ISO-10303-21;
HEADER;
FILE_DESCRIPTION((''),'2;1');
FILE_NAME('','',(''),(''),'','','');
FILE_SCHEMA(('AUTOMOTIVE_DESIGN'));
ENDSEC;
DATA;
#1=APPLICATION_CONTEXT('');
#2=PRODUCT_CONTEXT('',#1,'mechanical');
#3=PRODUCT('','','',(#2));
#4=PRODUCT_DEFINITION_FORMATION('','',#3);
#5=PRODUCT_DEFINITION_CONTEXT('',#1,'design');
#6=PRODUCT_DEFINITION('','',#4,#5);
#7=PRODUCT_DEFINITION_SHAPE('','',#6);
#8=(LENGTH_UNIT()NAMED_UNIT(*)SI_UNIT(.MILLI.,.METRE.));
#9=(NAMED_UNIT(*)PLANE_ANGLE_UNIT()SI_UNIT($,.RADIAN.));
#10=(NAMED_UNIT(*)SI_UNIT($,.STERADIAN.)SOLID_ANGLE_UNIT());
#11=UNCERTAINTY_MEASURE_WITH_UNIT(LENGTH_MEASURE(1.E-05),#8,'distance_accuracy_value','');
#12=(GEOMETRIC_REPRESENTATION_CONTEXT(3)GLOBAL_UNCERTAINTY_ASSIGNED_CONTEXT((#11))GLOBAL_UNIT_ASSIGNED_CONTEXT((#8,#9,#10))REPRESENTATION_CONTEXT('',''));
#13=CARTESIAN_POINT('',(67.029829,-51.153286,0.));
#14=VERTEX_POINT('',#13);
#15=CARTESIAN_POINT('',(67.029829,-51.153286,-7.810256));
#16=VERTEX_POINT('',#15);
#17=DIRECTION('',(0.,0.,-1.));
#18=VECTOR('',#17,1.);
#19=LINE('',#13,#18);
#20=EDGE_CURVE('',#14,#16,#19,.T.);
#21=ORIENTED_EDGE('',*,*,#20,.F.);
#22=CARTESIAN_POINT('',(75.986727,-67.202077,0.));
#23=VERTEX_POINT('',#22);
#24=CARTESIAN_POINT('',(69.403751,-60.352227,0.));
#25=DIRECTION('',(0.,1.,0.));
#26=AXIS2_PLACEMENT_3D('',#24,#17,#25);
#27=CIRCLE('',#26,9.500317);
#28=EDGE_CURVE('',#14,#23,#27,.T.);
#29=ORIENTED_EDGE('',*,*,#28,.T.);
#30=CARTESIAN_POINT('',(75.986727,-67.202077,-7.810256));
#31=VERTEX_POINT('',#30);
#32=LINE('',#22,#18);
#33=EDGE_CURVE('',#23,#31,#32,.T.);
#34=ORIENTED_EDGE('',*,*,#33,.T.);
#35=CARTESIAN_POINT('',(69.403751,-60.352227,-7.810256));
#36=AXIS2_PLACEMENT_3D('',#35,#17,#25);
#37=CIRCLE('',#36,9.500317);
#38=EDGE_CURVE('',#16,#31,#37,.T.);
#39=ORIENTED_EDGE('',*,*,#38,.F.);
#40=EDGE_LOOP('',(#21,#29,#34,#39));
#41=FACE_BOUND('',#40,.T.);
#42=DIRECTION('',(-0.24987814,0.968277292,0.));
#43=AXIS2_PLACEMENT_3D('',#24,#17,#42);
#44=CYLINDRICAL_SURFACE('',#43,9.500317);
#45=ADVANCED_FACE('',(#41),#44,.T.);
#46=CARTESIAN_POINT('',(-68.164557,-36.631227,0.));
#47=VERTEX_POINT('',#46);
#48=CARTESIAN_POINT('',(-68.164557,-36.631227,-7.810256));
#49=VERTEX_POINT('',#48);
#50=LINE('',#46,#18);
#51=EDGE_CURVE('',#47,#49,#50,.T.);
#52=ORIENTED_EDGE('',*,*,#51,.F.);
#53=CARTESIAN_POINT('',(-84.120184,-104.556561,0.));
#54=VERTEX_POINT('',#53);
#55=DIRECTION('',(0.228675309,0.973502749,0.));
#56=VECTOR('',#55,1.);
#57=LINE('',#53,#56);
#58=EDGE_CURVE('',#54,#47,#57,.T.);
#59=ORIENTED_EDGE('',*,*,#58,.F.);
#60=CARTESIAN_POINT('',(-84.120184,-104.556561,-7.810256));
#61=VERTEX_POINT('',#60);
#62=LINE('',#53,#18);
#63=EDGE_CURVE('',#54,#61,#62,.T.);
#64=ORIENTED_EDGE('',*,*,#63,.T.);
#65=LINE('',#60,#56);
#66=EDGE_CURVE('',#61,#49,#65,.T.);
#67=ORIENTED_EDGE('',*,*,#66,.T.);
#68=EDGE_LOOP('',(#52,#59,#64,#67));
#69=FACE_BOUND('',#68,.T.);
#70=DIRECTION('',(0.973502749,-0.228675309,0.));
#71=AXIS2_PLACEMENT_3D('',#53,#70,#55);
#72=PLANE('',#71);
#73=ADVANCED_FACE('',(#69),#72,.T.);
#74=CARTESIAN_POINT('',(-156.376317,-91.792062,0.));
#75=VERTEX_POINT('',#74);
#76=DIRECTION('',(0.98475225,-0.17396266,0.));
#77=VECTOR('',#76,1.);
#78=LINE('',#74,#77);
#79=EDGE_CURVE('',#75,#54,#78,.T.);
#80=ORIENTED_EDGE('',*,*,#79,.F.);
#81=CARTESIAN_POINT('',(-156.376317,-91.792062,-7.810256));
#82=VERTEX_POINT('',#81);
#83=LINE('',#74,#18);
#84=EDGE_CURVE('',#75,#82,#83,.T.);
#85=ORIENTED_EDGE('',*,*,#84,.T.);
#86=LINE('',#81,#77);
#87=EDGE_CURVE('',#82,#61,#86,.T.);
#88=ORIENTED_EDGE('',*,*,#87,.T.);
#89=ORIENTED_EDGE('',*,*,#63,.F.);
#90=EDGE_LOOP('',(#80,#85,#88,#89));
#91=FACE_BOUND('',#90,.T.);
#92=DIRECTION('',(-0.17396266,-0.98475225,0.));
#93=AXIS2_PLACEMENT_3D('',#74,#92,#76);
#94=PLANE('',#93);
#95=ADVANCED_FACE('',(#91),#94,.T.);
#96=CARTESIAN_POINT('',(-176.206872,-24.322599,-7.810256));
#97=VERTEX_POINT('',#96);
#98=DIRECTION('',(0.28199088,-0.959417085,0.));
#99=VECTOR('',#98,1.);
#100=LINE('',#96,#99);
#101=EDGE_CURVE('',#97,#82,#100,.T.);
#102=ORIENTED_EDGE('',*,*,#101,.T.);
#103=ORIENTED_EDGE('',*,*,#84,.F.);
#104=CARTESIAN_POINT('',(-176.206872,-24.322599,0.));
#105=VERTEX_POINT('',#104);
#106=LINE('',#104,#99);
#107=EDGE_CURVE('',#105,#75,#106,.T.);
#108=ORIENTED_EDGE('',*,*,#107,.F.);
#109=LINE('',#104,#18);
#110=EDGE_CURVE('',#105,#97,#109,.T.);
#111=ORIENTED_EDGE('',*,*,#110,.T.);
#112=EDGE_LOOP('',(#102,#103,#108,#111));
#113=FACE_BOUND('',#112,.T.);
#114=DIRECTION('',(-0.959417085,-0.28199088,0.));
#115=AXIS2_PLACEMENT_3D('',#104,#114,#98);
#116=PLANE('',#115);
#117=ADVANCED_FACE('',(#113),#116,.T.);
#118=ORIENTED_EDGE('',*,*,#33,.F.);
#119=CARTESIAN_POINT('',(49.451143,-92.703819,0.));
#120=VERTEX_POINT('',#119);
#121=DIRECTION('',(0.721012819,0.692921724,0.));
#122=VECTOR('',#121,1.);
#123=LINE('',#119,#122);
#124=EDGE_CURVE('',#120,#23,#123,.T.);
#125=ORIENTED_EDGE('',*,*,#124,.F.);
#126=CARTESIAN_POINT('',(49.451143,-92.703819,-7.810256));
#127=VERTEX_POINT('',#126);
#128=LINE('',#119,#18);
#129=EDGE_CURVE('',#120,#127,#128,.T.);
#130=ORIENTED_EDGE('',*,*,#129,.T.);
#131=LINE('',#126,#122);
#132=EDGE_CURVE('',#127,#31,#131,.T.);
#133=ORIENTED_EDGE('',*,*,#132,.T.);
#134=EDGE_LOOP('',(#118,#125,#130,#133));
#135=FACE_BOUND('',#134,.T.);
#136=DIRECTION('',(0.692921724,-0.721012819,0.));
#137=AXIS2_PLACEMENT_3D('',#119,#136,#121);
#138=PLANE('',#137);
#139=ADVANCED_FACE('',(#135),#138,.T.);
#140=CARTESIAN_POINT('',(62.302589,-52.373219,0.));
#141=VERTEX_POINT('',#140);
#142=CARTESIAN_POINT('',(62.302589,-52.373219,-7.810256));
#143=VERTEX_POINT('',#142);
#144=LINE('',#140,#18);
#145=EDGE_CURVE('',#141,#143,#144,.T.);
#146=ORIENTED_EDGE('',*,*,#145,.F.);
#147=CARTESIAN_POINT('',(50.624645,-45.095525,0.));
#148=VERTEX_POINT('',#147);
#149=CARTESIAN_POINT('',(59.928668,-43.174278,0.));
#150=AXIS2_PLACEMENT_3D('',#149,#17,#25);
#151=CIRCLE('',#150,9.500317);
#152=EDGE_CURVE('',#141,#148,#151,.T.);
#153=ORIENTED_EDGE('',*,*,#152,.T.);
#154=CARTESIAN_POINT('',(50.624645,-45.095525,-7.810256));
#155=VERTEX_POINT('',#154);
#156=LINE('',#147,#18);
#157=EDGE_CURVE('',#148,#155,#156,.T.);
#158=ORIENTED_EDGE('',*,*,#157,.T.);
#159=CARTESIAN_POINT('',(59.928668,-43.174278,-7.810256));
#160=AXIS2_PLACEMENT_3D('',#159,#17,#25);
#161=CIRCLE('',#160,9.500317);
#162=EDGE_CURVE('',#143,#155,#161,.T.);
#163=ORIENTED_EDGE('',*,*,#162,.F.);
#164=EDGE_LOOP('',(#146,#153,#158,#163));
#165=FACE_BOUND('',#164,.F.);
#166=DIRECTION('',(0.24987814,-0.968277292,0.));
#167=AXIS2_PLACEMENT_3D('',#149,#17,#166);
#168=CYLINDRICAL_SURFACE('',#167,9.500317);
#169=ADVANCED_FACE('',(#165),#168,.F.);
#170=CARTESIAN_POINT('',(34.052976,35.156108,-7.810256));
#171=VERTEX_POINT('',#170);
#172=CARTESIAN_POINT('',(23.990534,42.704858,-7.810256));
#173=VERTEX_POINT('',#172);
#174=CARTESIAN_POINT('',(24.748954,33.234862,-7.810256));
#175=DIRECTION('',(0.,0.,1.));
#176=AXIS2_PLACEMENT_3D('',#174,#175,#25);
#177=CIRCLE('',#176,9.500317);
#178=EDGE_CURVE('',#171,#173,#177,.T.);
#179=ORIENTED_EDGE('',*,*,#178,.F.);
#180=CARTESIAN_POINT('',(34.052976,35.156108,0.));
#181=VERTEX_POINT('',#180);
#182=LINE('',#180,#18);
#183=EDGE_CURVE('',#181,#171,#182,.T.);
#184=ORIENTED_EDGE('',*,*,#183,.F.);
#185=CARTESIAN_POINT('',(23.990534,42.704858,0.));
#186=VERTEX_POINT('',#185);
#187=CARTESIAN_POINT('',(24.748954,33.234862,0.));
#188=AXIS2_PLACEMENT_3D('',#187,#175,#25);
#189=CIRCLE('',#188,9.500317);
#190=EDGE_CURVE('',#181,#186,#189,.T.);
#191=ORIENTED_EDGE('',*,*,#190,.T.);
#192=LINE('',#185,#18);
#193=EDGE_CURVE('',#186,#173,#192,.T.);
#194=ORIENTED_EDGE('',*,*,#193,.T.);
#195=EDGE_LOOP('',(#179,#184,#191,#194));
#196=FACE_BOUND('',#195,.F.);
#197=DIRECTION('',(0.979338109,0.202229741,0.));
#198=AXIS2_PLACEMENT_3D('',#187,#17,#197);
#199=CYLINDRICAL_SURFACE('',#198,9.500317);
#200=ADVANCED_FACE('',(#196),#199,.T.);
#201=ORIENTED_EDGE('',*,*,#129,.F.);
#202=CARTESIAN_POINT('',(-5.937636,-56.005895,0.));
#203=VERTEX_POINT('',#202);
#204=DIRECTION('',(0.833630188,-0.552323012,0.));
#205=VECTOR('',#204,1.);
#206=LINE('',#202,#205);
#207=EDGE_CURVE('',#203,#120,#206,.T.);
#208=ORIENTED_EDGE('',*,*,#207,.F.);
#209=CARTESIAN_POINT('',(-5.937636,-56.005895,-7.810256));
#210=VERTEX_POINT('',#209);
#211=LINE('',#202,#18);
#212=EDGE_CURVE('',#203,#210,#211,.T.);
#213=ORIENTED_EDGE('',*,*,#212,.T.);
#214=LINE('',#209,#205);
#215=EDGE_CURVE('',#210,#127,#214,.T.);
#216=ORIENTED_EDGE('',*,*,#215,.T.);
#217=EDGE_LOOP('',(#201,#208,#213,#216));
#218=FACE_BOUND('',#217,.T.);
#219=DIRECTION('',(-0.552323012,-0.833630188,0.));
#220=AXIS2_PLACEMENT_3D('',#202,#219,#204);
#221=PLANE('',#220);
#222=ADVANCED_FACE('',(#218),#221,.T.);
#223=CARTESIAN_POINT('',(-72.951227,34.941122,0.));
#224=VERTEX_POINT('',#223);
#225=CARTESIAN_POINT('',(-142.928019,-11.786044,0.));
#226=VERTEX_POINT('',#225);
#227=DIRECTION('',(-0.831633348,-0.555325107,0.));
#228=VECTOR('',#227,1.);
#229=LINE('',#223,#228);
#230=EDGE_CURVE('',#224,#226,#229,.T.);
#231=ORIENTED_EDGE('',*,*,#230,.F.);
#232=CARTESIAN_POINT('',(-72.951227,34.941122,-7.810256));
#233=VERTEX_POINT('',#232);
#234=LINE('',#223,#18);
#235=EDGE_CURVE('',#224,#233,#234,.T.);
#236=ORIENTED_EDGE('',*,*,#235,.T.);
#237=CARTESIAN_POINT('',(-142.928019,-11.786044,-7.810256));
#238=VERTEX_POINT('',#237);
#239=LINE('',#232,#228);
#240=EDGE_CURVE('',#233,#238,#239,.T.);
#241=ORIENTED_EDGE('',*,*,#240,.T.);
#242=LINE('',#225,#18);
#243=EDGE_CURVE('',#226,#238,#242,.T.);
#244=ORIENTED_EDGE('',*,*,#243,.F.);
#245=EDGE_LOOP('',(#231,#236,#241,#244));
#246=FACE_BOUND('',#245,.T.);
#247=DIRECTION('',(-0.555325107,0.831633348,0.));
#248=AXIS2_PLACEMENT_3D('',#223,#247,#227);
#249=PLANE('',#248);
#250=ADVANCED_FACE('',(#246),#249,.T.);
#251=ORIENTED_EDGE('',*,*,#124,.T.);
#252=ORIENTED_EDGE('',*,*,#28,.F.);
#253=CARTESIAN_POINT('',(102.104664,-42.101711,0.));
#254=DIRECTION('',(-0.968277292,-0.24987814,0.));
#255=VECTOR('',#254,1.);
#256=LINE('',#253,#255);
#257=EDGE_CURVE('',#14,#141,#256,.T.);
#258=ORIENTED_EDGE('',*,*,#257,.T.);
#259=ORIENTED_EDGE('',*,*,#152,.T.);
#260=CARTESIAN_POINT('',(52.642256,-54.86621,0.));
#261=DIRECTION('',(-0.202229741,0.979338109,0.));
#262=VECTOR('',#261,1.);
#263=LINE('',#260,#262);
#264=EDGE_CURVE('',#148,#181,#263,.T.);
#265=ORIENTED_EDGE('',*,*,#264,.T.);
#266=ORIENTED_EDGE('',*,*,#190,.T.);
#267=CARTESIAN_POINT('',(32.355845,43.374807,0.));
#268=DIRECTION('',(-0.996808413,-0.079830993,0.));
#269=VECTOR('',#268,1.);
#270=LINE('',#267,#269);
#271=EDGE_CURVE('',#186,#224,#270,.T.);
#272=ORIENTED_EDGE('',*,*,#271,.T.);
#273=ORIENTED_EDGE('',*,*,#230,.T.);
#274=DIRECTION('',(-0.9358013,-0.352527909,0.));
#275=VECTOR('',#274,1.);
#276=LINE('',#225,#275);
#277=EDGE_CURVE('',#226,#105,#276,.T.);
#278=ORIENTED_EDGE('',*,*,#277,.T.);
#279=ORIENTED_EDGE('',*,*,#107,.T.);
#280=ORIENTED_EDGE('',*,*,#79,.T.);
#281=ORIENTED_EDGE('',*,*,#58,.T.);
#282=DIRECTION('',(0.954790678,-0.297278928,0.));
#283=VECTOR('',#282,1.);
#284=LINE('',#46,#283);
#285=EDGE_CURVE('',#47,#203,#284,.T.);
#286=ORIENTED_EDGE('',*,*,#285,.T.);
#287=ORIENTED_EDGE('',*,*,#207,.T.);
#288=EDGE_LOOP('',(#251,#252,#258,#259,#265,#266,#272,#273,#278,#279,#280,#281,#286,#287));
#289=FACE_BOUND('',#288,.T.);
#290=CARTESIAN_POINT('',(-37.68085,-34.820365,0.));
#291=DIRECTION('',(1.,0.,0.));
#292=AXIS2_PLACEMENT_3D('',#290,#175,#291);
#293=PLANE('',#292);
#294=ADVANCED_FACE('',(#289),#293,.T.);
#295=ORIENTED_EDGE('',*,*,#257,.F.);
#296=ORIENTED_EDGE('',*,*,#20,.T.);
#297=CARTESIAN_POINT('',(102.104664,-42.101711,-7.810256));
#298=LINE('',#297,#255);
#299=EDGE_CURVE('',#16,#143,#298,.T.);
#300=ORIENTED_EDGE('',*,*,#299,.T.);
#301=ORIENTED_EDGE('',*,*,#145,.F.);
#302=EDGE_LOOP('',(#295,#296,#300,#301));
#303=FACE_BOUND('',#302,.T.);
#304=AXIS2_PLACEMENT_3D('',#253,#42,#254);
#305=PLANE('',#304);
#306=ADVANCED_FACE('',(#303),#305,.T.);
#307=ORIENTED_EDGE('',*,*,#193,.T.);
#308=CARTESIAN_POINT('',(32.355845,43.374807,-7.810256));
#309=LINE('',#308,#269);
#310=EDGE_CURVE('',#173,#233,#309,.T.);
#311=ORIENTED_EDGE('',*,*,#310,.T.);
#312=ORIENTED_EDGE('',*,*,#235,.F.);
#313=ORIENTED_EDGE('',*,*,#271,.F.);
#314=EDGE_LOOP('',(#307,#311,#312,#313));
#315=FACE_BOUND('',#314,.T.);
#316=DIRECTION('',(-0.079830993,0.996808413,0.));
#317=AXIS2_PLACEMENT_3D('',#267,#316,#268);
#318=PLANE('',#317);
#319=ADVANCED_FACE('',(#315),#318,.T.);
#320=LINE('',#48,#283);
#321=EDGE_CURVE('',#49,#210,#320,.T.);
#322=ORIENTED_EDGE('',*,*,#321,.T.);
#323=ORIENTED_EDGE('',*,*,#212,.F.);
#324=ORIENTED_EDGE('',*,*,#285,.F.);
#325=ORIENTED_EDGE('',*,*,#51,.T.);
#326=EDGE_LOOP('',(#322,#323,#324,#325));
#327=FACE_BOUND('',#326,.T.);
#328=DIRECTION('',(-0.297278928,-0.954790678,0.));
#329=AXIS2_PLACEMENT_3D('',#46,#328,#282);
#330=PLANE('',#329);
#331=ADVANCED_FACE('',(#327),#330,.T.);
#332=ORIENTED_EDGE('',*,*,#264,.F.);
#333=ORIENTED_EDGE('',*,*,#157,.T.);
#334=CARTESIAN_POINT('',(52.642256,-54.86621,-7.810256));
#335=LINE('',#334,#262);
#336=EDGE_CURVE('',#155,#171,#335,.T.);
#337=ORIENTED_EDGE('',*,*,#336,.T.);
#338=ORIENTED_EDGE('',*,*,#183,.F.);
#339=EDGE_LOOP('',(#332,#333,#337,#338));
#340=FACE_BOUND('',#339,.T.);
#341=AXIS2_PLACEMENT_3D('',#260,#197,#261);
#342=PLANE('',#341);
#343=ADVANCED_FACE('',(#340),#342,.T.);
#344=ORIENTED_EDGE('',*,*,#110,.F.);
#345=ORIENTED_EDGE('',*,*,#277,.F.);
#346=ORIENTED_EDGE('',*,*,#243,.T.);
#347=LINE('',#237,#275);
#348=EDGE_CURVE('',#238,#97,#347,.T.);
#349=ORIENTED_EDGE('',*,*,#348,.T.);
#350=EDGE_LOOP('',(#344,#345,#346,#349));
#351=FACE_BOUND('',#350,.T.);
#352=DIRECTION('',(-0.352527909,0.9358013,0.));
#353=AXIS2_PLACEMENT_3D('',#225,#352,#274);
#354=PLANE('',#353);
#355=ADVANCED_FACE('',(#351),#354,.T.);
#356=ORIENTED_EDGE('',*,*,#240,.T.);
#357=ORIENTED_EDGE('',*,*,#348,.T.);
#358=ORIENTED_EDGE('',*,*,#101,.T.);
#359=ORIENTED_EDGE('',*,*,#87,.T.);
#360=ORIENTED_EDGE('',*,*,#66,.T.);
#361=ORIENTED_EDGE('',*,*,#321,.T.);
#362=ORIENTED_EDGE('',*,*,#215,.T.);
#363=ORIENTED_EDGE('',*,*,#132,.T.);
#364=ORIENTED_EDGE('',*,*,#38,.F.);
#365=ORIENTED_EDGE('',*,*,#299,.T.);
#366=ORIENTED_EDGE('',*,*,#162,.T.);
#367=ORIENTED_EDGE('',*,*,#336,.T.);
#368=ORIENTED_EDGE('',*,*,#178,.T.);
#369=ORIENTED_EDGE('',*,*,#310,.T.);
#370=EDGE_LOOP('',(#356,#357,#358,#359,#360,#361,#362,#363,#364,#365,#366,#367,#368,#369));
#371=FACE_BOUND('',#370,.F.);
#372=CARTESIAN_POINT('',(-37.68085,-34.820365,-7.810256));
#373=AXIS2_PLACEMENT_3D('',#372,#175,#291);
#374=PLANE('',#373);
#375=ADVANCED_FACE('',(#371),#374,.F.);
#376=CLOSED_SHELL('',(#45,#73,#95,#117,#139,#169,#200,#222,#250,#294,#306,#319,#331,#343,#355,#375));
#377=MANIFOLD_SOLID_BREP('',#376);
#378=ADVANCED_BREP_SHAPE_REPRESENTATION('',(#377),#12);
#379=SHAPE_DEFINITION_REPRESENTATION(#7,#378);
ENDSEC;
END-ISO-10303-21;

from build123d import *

# Parameters (mm, degrees)
F1_DEPTH = 7.810256
F2_R     = 9.500317


with BuildPart() as f1:
    # F0 (on Top) → F1 (new body)
    with BuildSketch(Plane.XY):
        Polygon((102.104664, -42.101711), (52.642256, -54.86621), (32.355845, 43.374807), (-72.951227, 34.941122), (-142.928019, -11.786044), (-176.206872, -24.322599), (-156.376317, -91.792062), (-84.120184, -104.556561), (-68.164557, -36.631227), (-5.937636, -56.005895), (49.451143, -92.703819), align=None)
    extrude(amount=-F1_DEPTH)

    # F2
    f2_edges = [f1.edges().sort_by_distance(p)[0] for p in [
        (102.104664, -42.101711, -3.905128),
        (52.642256, -54.86621, -3.905128),
        (32.355845, 43.374807, -3.905128),
    ]]
    fillet(f2_edges, radius=F2_R)


solid = f1.part
